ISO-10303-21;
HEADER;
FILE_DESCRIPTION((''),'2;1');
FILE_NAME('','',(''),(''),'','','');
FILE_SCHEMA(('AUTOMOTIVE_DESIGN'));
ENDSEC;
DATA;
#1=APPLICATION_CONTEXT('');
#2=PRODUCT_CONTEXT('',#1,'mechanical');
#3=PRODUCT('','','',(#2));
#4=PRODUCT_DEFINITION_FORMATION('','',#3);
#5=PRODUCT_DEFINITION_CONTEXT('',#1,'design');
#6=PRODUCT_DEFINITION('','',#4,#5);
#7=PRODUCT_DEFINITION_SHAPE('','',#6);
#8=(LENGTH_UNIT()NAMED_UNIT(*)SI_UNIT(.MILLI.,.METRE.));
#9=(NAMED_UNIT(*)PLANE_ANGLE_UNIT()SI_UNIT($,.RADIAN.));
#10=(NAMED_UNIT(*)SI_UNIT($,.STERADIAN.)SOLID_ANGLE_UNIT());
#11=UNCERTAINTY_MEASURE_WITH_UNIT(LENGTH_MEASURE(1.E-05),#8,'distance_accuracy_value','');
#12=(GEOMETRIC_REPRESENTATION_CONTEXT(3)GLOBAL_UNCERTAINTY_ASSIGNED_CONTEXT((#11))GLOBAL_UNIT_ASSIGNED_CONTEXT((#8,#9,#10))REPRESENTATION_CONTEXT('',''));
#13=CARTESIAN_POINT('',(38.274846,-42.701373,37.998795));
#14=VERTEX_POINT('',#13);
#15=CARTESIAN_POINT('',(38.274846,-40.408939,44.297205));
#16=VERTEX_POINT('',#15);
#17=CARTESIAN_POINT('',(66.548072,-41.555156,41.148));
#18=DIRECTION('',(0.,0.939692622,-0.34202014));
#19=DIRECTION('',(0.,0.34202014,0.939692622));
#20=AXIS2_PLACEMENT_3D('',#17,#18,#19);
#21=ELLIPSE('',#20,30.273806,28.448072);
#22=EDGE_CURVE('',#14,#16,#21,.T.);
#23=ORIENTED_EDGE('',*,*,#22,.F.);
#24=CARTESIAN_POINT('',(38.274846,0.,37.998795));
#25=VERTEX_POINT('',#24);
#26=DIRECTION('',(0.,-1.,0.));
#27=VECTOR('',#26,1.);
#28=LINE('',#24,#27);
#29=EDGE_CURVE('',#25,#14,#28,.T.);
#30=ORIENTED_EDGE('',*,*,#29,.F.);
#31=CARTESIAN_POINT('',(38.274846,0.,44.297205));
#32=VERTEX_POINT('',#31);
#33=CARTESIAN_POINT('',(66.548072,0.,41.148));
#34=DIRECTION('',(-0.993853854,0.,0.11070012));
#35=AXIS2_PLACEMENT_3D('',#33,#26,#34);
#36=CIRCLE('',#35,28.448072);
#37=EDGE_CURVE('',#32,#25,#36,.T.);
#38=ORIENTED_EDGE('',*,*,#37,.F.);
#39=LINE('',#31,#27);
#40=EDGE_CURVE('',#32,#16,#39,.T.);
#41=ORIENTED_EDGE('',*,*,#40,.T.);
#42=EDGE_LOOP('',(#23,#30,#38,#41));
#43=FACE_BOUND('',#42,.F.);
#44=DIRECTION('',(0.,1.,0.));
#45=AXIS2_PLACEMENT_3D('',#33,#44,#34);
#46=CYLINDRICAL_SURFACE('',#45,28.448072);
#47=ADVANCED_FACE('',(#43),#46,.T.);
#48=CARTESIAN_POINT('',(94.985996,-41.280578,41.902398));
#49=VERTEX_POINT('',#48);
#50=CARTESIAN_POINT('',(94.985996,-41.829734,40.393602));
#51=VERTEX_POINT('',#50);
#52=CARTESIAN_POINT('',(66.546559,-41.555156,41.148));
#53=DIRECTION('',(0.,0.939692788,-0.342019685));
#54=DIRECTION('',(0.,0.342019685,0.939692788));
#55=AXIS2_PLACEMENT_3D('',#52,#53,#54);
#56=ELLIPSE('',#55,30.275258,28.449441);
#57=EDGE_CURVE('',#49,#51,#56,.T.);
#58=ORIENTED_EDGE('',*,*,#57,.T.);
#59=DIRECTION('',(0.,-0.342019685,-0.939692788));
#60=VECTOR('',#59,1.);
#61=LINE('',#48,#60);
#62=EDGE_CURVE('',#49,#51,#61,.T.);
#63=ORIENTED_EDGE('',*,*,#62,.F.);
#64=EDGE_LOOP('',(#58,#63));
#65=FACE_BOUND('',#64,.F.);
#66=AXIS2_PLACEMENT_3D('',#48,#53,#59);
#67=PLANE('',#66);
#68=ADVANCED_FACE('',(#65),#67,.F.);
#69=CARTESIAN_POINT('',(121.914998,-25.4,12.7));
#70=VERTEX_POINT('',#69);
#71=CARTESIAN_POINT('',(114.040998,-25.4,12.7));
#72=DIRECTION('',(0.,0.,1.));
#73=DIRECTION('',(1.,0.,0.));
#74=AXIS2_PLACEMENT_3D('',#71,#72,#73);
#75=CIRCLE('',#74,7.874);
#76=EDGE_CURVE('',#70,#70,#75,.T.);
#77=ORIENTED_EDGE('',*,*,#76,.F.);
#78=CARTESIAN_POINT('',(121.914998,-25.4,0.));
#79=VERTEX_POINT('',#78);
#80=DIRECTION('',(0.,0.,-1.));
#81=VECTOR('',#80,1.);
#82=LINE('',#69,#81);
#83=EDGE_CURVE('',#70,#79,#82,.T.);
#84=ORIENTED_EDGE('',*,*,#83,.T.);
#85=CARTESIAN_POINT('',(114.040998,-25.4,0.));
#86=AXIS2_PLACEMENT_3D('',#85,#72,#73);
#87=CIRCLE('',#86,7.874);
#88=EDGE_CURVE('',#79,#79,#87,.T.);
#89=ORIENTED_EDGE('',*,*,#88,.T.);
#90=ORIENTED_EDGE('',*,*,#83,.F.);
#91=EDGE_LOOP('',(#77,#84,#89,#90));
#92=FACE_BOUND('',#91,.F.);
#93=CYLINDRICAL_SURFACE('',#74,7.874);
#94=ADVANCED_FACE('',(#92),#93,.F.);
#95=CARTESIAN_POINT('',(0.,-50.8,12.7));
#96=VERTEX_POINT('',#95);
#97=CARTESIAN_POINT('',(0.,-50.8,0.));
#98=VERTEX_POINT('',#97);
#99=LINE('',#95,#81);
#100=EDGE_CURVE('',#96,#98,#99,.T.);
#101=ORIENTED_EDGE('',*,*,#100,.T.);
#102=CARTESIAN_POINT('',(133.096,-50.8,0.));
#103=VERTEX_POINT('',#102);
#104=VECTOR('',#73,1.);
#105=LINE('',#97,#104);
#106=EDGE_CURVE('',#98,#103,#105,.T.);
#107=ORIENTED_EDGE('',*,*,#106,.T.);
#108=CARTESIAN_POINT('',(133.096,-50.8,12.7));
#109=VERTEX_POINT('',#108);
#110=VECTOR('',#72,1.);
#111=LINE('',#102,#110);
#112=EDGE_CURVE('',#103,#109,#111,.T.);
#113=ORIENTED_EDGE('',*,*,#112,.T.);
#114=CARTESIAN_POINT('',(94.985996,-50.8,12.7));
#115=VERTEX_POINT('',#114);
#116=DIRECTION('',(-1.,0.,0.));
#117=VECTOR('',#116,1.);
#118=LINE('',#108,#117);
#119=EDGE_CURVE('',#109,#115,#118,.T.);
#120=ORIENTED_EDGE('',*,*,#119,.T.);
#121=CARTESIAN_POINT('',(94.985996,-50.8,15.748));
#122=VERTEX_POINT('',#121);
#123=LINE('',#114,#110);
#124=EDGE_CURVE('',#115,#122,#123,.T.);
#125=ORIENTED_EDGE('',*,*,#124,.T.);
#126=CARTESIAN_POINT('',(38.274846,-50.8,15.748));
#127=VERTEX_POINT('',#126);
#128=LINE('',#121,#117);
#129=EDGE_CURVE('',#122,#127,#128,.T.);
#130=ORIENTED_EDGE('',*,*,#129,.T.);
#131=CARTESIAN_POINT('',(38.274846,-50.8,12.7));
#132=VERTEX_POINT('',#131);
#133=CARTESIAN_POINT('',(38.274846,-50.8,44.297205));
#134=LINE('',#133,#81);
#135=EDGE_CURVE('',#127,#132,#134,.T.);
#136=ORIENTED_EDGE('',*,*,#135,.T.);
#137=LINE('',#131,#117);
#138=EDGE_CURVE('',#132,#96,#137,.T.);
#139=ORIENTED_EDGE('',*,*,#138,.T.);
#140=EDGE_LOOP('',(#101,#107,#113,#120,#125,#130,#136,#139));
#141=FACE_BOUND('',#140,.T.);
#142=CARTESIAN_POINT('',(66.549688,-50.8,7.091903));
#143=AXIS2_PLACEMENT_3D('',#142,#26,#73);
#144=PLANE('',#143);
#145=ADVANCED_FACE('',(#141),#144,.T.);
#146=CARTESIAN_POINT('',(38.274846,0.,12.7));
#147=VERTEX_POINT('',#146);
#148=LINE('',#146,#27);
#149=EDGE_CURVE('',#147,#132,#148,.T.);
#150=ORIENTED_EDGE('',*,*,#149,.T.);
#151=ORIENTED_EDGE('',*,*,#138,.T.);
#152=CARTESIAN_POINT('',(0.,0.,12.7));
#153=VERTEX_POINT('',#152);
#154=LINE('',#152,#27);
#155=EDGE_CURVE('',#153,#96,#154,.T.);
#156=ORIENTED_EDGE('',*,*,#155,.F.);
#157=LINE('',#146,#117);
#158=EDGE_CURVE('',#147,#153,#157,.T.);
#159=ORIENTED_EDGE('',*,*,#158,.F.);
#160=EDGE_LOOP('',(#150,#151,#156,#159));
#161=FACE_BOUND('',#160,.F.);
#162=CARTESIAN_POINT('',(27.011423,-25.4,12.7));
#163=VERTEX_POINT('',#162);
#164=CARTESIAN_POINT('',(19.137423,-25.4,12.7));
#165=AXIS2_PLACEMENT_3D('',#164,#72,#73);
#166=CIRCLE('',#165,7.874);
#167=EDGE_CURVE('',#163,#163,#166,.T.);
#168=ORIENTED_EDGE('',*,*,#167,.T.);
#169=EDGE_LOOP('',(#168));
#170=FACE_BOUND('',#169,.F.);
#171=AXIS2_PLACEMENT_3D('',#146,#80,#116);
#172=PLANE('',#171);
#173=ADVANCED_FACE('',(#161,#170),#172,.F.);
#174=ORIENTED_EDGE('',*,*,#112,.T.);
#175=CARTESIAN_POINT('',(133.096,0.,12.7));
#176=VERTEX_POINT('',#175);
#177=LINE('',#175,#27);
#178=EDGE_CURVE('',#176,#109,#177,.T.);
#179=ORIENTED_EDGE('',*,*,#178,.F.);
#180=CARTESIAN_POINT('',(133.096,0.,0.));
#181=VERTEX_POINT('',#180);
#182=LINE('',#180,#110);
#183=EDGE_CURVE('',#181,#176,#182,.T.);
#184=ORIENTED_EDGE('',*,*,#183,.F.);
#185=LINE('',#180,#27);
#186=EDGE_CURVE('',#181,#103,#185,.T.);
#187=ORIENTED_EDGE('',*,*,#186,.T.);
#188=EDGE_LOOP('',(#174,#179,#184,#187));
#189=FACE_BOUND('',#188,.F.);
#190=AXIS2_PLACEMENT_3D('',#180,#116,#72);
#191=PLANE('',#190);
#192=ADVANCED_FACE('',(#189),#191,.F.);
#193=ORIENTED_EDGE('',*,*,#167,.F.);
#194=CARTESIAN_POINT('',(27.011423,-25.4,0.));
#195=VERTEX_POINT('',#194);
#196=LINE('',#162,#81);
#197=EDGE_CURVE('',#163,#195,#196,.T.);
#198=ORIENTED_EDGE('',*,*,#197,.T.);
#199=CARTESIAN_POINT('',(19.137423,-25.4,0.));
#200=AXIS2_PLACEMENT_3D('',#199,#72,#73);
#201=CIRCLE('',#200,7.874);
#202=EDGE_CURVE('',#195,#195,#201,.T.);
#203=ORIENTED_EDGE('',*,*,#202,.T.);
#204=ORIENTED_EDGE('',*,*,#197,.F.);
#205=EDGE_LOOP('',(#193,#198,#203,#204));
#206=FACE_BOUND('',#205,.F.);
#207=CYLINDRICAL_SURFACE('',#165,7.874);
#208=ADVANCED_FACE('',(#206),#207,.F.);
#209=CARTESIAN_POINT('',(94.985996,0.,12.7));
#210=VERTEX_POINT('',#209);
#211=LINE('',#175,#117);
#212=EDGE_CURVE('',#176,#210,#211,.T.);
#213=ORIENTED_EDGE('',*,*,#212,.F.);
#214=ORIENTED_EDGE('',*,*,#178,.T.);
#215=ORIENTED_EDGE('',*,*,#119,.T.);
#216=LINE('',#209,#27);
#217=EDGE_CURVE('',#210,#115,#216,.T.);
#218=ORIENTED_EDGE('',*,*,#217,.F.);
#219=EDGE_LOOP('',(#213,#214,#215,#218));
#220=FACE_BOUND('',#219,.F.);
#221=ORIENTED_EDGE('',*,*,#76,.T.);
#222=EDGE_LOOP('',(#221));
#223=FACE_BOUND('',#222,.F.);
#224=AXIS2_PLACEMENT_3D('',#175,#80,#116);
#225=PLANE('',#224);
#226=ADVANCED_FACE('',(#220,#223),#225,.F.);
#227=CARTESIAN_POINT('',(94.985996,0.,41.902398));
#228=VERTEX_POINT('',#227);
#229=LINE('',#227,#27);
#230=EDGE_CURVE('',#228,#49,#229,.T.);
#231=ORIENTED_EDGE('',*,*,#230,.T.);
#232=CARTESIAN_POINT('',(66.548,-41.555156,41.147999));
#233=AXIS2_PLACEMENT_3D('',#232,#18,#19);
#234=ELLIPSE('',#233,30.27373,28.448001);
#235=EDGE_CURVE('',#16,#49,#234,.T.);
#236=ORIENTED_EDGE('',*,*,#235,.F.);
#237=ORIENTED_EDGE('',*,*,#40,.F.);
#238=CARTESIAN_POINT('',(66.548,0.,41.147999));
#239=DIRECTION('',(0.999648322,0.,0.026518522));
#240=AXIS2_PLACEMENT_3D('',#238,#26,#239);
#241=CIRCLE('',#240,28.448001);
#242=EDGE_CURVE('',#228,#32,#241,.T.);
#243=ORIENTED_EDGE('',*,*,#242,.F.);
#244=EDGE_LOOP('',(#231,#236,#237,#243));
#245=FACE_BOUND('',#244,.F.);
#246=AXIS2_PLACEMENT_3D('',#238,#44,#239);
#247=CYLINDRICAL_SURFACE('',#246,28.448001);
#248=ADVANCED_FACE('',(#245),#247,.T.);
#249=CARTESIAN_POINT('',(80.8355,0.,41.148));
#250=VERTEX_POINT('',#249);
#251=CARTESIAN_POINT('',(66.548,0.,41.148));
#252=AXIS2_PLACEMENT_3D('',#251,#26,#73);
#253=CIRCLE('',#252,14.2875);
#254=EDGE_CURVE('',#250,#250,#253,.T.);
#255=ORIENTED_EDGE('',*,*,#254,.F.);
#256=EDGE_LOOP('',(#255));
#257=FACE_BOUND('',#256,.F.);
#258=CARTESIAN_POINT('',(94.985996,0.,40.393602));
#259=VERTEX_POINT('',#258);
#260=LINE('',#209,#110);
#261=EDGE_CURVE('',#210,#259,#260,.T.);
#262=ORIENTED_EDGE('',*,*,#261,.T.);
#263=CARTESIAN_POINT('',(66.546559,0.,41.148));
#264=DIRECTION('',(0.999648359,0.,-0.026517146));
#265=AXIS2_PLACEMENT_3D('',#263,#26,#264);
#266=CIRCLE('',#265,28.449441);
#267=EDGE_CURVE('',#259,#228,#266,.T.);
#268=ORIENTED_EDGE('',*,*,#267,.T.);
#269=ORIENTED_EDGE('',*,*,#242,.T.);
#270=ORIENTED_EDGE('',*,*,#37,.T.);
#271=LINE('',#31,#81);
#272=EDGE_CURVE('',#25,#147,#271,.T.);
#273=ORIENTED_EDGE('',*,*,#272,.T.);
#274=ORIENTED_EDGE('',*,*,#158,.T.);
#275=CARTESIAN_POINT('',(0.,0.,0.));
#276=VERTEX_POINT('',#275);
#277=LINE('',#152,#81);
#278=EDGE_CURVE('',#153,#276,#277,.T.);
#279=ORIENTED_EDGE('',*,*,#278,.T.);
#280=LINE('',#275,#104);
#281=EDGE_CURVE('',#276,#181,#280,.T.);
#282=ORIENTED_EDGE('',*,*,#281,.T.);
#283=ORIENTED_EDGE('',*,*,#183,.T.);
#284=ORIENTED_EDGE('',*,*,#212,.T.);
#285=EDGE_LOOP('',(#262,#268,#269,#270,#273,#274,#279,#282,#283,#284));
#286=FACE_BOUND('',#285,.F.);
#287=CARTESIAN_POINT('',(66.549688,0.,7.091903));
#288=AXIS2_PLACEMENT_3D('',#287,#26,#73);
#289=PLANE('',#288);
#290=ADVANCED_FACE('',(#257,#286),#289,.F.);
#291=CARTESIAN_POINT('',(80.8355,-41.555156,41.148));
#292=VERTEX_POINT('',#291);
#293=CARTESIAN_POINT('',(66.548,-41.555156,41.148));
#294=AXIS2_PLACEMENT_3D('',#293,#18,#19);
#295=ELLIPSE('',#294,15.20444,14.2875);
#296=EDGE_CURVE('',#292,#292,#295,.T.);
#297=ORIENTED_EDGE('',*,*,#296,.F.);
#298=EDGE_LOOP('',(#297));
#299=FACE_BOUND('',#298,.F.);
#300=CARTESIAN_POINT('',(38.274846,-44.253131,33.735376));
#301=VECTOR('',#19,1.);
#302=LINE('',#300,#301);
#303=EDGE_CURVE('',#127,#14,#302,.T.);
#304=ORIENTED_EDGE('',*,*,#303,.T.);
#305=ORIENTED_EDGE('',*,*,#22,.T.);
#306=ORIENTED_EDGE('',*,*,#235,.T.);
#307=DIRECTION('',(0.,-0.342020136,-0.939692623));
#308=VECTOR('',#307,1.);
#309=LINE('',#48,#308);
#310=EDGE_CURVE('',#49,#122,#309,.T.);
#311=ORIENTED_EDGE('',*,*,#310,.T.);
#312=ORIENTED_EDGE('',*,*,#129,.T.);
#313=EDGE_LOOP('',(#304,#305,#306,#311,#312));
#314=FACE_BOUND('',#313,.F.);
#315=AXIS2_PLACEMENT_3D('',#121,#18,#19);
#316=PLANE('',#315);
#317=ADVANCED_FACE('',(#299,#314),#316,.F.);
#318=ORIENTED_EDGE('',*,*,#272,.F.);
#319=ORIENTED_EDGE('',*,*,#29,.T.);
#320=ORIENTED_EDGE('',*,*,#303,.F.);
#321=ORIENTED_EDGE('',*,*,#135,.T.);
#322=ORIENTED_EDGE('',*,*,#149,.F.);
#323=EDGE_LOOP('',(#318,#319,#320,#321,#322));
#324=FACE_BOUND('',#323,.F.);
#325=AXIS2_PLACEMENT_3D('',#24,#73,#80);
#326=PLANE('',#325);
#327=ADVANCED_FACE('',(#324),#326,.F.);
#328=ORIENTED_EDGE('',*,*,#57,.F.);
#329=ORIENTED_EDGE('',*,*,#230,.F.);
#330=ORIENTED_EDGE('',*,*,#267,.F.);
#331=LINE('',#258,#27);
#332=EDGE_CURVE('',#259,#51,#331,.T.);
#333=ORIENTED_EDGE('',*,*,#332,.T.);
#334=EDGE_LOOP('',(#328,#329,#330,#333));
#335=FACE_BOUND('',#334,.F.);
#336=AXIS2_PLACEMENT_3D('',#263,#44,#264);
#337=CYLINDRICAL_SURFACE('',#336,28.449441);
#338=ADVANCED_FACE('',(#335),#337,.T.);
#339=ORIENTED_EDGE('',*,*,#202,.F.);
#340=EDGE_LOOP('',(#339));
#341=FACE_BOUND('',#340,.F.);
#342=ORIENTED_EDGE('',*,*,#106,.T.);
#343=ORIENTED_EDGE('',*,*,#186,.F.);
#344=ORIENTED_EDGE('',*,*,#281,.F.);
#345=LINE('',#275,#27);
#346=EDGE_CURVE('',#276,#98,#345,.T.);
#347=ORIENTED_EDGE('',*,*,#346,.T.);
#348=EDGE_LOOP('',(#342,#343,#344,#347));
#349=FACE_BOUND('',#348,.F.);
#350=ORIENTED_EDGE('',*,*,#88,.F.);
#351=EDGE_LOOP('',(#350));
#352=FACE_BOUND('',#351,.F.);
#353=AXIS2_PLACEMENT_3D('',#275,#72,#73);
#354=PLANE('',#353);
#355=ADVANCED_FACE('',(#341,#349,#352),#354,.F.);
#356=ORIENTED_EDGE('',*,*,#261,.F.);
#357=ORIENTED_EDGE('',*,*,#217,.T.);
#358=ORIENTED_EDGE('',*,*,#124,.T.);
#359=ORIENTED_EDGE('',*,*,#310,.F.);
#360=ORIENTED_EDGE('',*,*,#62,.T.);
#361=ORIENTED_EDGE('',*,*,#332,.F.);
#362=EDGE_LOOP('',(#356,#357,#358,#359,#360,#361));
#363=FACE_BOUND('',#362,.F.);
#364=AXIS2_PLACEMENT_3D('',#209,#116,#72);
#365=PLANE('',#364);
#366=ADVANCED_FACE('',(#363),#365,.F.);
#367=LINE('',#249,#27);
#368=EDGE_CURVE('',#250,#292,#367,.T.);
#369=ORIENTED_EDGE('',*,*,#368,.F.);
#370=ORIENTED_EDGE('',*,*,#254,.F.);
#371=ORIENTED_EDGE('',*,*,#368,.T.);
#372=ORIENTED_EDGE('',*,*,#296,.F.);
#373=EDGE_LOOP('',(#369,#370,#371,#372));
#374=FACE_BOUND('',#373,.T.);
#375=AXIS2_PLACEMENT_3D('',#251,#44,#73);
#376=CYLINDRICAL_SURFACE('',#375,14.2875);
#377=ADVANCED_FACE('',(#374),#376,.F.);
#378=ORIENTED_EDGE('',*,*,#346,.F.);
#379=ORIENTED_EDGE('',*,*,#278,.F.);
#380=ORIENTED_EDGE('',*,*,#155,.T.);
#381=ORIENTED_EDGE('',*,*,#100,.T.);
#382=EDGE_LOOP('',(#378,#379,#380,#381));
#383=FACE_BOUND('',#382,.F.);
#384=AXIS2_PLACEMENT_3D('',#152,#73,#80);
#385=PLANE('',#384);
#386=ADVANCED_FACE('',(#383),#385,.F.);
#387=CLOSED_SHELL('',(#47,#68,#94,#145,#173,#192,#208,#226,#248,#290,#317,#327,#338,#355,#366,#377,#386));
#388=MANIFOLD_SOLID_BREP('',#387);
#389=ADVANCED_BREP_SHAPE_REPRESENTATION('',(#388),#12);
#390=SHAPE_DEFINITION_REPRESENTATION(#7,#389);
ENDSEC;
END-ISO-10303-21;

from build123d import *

# Parameters (mm, degrees)
F0_R     = 14.2875
F1_DEPTH = 50.8
F3_R     = 7.874
F2_R     = 7.874
F4_DEPTH = 25.4
F6_DEPTH = 127
F8_DEPTH = 25.4


with BuildPart() as f1:
    # F0 (on Front) → F1 (new body)
    with BuildSketch(Plane.XZ):
        Polygon((0, 12.7), (0, 0), (133.096, 0), (133.096, 12.7), (94.985996, 12.7), (94.985996, 15.748), (38.274846, 15.748), (38.274846, 12.7), align=None)
        with BuildLine():
            Line((38.274846, 37.998795), (38.274846, 15.748))
            Line((38.274846, 15.748), (94.985996, 15.748))
            Line((94.985996, 15.748), (94.985996, 40.393602))
            Line((94.985996, 40.393602), (94.985996, 41.902398))
            ThreePointArc((94.985996, 41.902398), (67.748237, 69.570669), (38.274846, 44.297205))
            Line((38.274846, 44.297205), (38.274846, 37.998795))
        make_face()
        with Locations((66.548, 41.148)):
            Circle(F0_R, mode=Mode.SUBTRACT)
        with BuildLine():
            ThreePointArc((38.274846, 44.297205), (38.1, 41.148), (38.274846, 37.998795))
            Line((38.274846, 37.998795), (38.274846, 44.297205))
        make_face()
        with BuildLine():
            Line((94.985996, 41.902398), (94.985996, 40.393602))
            ThreePointArc((94.985996, 40.393602), (94.996, 41.148), (94.985996, 41.902398))
        make_face()
    extrude(amount=F1_DEPTH)

    # F3 (on face) + F2 (on face) → F4 (cut)
    with BuildSketch(Plane.XY.offset(12.7)):
        with Locations((114.040998, -25.4)):
            Circle(F3_R)
    with BuildSketch(Plane.XY.offset(12.7)):
        with Locations((19.137423, -25.4)):
            Circle(F2_R)
    extrude(amount=-F4_DEPTH, mode=Mode.SUBTRACT)

    # F5 (on face) → F6 (cut)
    with BuildSketch(Plane.YZ.offset(94.985996)):
        Polygon((-50.8, 68.641677), (-50.8, 15.748), (-29.999232, 72.897641), (-51.085521, 72.897641), align=None)
    extrude(amount=-F6_DEPTH, mode=Mode.SUBTRACT)

    # F7 (on face) → F8 (cut)
    with BuildSketch(Plane(origin=(94.985996, 0, 0), x_dir=(0, -1, 0), z_dir=(-1, 0, 0))):
        Polygon((50.8, 40.393602), (50.8, 41.902398), (41.280578, 41.902398), (41.829734, 40.393602), align=None)
    extrude(amount=-F8_DEPTH, mode=Mode.SUBTRACT)


solid = f1.part
